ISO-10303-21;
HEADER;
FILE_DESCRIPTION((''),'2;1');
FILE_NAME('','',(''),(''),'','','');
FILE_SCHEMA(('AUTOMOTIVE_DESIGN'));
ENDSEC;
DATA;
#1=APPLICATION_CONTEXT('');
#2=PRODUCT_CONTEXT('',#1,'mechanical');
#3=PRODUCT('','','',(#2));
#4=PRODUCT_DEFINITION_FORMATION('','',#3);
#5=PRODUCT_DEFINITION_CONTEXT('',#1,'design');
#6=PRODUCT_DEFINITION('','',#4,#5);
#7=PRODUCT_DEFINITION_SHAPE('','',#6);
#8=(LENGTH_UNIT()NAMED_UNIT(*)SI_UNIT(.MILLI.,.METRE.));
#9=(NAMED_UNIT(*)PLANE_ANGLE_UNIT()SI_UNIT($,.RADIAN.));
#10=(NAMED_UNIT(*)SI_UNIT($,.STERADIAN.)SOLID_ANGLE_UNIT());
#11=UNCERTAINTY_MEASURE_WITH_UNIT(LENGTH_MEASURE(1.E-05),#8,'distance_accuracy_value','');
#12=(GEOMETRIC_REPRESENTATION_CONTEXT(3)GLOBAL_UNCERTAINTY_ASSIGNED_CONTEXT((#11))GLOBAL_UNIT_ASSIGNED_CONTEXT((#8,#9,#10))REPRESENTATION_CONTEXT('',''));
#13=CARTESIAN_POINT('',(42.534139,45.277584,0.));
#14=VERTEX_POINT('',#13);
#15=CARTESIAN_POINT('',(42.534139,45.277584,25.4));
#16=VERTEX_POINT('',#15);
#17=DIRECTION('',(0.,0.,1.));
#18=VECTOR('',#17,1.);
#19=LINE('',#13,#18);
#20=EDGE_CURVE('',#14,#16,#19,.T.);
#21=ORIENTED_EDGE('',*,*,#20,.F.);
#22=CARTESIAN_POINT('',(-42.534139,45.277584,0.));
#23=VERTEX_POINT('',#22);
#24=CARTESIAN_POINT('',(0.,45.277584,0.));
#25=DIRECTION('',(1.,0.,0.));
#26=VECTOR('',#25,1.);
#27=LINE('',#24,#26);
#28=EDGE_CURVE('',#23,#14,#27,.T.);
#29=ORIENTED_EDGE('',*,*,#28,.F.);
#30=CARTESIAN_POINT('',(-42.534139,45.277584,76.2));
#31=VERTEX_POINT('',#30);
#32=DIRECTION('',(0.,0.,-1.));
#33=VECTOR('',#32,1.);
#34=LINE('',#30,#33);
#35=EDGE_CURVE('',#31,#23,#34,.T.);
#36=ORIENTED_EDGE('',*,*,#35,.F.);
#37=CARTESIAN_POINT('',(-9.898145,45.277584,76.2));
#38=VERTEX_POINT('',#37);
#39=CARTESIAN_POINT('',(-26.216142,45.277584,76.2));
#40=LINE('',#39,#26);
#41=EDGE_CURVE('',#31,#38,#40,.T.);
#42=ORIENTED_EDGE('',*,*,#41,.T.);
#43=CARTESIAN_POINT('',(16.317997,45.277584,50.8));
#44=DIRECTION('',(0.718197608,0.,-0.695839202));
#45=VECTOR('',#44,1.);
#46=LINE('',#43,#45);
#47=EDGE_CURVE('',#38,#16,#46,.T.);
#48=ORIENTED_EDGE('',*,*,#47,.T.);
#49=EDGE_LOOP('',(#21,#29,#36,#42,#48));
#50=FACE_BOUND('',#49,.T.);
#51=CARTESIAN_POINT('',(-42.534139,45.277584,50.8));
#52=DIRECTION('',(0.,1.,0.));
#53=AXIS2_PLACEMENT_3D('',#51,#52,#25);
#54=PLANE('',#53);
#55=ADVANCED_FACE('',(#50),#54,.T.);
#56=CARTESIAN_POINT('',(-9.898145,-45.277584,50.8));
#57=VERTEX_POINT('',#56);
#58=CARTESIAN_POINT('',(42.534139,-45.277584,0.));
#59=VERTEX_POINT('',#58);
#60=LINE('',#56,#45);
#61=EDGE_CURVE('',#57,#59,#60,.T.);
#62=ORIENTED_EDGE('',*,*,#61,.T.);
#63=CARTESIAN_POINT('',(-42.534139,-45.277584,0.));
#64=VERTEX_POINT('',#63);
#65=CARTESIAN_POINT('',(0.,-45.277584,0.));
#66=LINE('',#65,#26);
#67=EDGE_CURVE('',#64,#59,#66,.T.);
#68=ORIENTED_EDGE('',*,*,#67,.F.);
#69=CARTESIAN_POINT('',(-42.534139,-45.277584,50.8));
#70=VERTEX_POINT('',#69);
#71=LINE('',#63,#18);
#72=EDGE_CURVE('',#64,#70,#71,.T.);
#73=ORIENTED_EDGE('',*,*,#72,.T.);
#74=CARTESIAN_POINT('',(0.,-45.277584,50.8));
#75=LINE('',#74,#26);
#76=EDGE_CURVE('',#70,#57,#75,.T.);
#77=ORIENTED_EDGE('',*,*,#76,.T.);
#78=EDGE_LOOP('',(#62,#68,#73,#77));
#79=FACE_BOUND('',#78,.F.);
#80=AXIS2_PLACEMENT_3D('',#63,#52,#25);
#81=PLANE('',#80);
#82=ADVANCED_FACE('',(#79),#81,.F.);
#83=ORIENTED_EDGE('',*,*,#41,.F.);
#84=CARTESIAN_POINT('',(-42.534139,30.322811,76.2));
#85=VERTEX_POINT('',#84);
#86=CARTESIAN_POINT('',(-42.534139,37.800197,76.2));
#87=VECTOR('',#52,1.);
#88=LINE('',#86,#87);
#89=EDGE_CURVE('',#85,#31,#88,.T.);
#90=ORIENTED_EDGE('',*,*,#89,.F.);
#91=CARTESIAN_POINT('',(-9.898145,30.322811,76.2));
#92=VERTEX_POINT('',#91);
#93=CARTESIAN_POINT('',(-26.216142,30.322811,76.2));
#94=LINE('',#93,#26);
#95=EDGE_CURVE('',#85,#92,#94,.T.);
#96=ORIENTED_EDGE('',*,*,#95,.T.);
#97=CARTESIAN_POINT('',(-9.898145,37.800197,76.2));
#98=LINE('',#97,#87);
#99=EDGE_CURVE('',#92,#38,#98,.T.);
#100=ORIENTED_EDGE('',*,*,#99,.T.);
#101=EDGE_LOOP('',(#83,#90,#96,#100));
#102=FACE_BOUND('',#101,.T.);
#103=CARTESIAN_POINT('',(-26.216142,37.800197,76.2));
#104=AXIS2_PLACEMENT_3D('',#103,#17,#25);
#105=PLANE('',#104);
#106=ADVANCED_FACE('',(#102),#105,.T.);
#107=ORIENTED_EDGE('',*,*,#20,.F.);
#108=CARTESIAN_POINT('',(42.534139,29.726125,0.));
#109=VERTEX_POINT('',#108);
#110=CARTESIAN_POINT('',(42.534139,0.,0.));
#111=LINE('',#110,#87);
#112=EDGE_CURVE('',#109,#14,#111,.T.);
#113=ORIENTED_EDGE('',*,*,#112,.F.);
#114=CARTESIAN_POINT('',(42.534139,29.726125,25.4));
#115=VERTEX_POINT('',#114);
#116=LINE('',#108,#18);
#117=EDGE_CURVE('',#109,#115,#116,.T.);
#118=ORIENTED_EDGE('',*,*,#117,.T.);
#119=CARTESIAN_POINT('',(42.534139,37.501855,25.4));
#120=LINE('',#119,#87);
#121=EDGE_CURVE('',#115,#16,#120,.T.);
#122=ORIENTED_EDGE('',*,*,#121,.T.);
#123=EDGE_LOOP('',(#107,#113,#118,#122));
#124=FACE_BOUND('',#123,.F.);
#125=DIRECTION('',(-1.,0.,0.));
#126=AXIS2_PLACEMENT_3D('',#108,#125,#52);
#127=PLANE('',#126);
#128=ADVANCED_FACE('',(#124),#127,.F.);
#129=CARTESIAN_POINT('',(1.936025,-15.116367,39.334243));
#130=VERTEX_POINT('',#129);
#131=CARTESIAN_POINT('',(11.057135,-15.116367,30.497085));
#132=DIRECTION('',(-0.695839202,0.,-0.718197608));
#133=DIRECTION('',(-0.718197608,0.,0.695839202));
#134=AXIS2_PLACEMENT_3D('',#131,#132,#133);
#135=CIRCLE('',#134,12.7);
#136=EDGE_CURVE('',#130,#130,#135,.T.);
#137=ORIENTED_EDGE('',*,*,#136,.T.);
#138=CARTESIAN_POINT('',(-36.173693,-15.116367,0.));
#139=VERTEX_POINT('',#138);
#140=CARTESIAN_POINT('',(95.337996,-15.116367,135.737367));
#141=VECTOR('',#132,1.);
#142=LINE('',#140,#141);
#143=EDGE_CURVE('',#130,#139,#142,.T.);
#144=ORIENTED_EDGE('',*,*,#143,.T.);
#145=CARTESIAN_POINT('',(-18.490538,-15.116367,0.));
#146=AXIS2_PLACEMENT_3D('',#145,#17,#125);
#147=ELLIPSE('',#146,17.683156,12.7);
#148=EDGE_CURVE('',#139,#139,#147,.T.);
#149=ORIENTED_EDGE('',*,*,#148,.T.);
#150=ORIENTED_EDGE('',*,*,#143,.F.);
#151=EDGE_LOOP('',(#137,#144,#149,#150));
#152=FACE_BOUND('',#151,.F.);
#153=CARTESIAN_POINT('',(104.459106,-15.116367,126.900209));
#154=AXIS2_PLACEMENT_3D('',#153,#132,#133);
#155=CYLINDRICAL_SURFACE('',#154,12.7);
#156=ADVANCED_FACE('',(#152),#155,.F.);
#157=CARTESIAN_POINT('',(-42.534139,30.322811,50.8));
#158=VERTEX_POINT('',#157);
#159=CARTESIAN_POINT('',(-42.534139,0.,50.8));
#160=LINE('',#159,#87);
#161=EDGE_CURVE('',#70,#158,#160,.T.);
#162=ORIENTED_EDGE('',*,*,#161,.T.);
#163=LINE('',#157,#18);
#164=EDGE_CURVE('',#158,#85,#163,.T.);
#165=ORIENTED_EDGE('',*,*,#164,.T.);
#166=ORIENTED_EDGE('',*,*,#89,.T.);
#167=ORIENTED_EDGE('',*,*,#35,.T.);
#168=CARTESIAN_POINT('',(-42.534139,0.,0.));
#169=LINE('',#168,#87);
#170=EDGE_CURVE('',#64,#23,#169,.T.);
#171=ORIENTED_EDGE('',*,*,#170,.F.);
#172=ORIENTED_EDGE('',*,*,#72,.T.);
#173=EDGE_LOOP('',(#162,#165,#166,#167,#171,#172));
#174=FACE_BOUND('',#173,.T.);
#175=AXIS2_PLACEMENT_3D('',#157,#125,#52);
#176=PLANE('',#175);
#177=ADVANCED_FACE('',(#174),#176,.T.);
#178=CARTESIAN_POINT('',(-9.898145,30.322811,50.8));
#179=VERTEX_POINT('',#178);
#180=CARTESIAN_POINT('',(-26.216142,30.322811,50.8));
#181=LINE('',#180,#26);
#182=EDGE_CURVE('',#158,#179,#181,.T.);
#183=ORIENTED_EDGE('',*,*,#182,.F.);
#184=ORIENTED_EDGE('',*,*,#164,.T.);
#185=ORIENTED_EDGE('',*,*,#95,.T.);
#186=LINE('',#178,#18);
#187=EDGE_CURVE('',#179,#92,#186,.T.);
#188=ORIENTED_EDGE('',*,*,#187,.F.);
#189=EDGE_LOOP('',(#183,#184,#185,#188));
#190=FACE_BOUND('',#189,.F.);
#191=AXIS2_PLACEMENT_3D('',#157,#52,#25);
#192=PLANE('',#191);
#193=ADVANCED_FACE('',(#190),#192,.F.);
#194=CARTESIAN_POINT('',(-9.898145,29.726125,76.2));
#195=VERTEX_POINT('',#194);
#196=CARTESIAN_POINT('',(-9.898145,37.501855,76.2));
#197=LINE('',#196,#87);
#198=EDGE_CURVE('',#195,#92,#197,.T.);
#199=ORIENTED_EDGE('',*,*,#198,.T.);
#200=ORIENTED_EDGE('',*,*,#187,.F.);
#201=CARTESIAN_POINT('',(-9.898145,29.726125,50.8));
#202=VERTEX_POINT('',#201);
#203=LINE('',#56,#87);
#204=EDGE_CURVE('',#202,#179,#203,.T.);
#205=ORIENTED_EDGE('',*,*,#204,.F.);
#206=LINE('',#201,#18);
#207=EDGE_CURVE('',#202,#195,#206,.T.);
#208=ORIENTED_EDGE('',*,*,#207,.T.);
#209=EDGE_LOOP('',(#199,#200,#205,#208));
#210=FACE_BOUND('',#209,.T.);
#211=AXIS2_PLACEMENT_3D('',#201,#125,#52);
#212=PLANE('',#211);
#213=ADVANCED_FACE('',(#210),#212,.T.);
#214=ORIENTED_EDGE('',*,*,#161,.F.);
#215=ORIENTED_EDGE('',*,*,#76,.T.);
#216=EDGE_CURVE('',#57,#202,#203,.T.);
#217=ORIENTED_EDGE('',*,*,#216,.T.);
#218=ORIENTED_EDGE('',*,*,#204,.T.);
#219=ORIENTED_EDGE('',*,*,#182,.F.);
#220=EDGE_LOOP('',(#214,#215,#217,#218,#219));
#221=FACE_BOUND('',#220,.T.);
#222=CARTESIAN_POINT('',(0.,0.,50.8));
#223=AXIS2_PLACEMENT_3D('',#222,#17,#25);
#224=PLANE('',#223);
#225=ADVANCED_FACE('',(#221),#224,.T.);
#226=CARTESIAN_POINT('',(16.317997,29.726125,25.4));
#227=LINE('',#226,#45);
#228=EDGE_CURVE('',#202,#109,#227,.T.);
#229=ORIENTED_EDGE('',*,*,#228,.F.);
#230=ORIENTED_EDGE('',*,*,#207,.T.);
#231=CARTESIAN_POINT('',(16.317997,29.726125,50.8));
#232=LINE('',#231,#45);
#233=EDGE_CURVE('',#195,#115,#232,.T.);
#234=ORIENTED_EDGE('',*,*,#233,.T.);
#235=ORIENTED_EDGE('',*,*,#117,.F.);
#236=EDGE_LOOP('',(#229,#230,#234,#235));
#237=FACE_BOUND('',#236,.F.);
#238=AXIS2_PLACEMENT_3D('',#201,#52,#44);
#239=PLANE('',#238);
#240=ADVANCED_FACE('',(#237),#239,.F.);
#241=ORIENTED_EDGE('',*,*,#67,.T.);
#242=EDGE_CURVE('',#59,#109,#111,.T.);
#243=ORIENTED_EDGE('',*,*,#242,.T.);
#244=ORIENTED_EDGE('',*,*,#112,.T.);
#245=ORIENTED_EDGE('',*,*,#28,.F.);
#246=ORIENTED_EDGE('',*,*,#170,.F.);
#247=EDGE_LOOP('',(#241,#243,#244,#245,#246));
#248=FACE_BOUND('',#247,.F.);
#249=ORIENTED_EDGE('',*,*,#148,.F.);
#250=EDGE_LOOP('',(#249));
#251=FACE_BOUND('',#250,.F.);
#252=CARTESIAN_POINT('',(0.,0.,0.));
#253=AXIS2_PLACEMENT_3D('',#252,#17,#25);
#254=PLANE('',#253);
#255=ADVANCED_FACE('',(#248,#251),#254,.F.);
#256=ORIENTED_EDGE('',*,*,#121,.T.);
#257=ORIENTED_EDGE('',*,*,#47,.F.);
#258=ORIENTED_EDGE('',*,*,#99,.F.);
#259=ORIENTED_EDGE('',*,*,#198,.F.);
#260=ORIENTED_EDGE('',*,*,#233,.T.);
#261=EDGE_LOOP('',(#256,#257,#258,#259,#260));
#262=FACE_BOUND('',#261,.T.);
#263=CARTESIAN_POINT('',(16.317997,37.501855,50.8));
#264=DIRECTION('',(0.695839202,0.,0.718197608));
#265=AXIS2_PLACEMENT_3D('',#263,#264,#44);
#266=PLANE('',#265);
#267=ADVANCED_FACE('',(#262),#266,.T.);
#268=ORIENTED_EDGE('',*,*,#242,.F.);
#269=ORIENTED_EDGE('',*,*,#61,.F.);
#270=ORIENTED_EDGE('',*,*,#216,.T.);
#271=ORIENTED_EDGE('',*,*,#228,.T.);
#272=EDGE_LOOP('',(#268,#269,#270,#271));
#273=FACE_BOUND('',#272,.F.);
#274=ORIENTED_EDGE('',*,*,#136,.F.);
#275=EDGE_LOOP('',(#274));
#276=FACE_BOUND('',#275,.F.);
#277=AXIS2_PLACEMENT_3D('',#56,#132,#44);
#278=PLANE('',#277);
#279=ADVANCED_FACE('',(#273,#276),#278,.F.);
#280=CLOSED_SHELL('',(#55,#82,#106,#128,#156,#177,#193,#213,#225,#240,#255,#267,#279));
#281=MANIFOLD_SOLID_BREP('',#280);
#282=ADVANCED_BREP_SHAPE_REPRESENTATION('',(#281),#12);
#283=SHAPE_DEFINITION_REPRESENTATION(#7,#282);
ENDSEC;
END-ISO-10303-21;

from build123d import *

# Parameters (mm, degrees)
F0_W     = 85.0682780147
F0_H     = 90.5551686883
F1_DEPTH = 50.8
F3_DEPTH = 90.5561686883
F5_D     = 25.4
F7_W     = 32.6359942555
F7_H     = 14.9547737092
F6_W     = 73.0053722694
F6_H     = 15.5514590442
F8_DEPTH = 25.4


with BuildPart() as f1:
    # F0 (on Top) → F1 (new body)
    with BuildSketch(Plane.XY):
        Rectangle(F0_W, F0_H)
    extrude(amount=F1_DEPTH)

    # F2 (on face) → F3 (cut, through all)
    with BuildSketch(Plane.XZ.offset(45.2775843441)):
        Polygon((42.5341390073, 0), (42.5341390073, 50.8), (-9.8981447518, 50.8), align=None)
    extrude(amount=-F3_DEPTH, mode=Mode.SUBTRACT)

    # F5 (through all)
    with Locations(Plane(origin=(20.594698145, 0, 21.2564381313), x_dir=(0.7181976083, 0, -0.6958392023), z_dir=(0.6958392023, 0, 0.7181976083))):
        with Locations((-13.2798599079, -15.1163674891)):
            Hole(F5_D / 2)

    # F7 (on face) + F6 (on face) → F8 (join)
    with BuildSketch(Plane.XY.offset(50.8)):
        with Locations((-26.2161418796, 37.8001974896)):
            Rectangle(F7_W, F7_H)
    with BuildSketch(Plane(origin=(20.594698145, 0, 21.2564381313), x_dir=(0.7181976083, 0, -0.6958392023), z_dir=(0.6958392023, 0, 0.7181976083))):
        with Locations((-5.9547692273, 37.501854822)):
            Rectangle(F6_W, F6_H)
    extrude(amount=F8_DEPTH, dir=(0, 0, 1))


solid = f1.part
